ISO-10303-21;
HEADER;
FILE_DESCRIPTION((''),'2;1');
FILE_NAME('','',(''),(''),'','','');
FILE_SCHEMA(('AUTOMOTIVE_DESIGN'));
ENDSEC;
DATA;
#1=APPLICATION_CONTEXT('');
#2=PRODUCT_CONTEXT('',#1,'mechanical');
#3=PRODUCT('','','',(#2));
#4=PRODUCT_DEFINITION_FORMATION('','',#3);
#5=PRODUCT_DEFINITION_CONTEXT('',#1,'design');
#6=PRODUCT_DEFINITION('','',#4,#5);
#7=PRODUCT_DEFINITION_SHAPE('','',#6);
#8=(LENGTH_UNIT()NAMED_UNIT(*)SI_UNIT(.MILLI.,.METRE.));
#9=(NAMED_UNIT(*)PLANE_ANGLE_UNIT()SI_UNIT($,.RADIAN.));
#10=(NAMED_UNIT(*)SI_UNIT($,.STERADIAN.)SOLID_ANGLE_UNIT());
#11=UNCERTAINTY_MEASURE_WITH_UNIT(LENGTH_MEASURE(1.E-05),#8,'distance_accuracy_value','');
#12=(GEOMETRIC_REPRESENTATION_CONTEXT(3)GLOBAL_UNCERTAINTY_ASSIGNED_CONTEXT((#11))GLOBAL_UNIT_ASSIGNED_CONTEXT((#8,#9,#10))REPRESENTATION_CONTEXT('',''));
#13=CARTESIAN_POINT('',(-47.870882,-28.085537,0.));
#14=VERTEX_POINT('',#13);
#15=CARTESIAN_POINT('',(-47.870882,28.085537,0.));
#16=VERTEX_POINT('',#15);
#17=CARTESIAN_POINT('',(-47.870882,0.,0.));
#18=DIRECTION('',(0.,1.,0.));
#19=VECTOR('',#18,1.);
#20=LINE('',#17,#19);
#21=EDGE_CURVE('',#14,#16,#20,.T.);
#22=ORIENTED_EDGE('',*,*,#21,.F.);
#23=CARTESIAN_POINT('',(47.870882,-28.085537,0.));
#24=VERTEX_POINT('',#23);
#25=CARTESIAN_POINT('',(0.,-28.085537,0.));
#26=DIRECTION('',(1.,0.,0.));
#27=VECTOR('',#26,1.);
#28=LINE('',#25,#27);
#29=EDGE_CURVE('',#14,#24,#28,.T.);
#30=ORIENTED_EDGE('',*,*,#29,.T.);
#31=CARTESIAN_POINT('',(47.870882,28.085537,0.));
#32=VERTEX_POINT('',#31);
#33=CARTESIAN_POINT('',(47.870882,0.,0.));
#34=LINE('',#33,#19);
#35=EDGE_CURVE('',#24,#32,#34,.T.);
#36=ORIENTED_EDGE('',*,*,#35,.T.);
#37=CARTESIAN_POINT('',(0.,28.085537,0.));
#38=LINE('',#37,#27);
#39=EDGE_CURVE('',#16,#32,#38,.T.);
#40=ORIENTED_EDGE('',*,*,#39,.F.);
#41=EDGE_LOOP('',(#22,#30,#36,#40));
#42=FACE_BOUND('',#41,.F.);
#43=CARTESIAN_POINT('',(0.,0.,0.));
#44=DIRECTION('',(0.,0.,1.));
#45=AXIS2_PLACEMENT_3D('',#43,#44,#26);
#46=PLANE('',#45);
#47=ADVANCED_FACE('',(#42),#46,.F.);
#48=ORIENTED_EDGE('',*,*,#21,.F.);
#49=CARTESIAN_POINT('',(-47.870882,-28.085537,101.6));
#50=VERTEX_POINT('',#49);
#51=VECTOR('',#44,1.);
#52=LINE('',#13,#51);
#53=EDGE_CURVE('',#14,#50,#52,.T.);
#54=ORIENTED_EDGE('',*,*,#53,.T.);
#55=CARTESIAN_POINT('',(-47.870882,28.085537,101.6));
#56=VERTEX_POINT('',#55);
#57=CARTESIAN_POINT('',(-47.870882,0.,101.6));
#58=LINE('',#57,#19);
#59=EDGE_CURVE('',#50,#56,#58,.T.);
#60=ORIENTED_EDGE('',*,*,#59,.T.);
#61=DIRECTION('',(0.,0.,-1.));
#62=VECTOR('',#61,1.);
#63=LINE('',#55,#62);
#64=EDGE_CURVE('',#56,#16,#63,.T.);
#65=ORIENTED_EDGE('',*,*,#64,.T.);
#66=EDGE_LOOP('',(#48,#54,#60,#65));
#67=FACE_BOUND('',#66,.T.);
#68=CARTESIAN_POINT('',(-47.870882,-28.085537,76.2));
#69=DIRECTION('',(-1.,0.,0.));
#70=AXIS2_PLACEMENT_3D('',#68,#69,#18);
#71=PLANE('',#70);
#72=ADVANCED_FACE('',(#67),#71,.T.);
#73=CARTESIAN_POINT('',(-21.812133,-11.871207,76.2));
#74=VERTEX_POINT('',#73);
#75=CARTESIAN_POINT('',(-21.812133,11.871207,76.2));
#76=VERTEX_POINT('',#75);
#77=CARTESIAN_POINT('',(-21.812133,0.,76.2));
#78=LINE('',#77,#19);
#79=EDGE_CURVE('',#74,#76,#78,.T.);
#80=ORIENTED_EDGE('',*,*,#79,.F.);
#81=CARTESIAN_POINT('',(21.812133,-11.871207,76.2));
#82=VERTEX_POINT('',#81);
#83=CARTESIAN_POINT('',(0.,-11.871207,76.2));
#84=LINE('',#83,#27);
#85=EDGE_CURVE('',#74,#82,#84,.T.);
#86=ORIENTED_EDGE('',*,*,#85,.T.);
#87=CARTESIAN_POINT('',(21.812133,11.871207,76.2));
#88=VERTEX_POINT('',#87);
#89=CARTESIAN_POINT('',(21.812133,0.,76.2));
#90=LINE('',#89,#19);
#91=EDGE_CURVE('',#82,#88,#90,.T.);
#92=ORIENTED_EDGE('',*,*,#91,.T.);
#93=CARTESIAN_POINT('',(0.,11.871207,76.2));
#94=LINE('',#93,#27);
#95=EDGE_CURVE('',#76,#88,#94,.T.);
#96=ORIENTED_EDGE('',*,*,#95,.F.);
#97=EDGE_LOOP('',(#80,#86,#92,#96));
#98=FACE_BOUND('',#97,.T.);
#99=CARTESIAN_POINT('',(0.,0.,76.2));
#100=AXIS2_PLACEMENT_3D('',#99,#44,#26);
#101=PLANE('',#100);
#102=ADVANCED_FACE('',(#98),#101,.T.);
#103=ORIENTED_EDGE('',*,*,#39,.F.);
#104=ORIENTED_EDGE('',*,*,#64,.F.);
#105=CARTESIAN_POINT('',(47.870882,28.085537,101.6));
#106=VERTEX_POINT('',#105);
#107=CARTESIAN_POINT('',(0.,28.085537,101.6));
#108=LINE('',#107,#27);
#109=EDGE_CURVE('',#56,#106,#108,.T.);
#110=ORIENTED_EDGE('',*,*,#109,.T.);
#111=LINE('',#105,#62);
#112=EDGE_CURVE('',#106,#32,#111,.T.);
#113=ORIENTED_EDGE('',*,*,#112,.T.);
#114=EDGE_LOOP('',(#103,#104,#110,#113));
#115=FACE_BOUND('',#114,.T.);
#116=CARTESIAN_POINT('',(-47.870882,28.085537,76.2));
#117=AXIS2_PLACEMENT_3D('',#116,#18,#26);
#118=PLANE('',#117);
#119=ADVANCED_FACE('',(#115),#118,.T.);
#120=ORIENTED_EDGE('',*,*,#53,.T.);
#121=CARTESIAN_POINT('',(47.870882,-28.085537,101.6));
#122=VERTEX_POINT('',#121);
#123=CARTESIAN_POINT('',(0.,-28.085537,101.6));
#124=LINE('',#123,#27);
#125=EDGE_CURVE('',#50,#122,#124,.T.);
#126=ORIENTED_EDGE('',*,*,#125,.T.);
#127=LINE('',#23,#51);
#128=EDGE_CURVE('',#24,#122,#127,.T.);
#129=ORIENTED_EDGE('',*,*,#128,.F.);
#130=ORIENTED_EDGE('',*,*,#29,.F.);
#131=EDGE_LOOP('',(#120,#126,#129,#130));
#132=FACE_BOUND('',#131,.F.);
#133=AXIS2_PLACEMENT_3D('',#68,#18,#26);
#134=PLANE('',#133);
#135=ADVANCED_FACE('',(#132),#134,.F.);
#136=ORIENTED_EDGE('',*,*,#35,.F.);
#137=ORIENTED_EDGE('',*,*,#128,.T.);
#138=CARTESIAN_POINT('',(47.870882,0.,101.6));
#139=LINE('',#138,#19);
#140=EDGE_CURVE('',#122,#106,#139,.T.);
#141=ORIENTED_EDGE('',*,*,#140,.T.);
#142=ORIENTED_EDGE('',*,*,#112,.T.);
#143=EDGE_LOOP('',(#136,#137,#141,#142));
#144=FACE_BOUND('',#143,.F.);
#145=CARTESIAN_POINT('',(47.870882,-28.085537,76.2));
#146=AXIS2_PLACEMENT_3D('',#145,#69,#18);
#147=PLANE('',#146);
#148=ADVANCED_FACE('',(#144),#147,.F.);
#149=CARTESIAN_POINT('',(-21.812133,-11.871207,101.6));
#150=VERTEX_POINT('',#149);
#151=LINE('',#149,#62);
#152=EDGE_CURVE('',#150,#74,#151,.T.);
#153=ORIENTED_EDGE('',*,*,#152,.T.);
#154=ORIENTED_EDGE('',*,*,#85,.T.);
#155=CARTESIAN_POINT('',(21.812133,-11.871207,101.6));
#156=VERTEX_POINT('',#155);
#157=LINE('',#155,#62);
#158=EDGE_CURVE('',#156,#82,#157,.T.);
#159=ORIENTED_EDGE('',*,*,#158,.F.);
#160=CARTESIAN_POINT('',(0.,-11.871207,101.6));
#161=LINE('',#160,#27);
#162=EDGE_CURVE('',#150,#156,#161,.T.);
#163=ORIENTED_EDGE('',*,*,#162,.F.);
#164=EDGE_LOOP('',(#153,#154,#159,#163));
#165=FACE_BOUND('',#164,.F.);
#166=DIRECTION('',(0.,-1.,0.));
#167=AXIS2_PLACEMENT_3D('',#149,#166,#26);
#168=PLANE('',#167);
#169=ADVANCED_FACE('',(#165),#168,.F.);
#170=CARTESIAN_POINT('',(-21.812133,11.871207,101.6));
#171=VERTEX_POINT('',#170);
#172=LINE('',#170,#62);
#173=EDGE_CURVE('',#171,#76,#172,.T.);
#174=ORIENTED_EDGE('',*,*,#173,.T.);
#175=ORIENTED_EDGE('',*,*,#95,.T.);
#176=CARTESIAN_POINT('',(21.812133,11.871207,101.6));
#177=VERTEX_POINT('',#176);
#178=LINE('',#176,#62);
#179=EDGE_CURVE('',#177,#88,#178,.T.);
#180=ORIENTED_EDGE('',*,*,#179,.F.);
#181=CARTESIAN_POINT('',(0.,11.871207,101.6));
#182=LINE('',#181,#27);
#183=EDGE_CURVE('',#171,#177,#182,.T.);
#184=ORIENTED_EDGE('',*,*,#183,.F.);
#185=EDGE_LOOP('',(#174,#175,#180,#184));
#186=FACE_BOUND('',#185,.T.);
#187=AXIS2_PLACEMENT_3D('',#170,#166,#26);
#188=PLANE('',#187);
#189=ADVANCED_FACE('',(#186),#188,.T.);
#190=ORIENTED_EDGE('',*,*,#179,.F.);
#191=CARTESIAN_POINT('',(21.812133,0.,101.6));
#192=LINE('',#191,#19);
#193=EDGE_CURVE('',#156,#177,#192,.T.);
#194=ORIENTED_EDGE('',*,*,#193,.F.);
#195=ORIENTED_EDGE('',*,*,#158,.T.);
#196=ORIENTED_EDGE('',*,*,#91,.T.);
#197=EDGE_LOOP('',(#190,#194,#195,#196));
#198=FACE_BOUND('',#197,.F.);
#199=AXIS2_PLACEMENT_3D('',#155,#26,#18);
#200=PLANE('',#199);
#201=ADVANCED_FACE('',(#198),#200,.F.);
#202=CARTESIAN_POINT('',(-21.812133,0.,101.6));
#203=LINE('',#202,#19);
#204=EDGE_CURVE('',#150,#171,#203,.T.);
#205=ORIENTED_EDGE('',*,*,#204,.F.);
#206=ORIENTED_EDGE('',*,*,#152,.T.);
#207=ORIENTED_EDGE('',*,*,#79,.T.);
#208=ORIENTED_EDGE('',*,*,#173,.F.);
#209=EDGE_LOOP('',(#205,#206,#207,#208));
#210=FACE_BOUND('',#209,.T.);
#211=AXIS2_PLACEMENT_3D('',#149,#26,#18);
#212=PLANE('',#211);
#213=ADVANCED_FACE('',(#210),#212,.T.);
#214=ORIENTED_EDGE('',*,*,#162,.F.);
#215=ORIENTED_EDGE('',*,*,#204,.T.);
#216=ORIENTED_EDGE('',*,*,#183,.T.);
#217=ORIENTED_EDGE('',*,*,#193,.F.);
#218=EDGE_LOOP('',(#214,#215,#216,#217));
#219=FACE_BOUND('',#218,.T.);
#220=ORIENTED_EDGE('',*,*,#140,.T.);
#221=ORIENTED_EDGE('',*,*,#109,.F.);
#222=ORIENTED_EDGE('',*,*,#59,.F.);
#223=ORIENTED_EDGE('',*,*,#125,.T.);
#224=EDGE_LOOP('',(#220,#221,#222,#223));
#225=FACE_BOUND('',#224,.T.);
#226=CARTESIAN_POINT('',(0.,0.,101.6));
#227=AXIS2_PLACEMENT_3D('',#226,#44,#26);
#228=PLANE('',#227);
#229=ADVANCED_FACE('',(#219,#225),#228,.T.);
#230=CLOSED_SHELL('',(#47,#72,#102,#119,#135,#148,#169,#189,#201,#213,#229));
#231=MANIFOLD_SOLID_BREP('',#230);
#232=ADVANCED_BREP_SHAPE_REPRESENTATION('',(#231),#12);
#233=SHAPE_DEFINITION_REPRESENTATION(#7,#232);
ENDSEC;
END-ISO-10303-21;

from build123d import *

# Parameters (mm, degrees)
F0_W      = 95.741764
F0_H      = 56.171074
F1_DEPTH  = 76.2
F1_FACE_W = 95.741764
F1_FACE_H = 56.171074
F2_DEPTH  = 25.4
F3_W      = 43.624266
F3_H      = 23.742414
F4_DEPTH  = 25.4


with BuildPart() as f1:
    # F0 (on Top) → F1 (new body)
    with BuildSketch(Plane.XY):
        Rectangle(F0_W, F0_H)
    extrude(amount=F1_DEPTH)

    # F1_face (on face) → F2 (join)
    with BuildSketch(Plane.XY.offset(76.2)):
        Rectangle(F1_FACE_W, F1_FACE_H)
    extrude(amount=F2_DEPTH)

    # F3 (on face) → F4 (cut)
    with BuildSketch(Plane.XY.offset(101.6)):
        Rectangle(F3_W, F3_H)
    extrude(amount=-F4_DEPTH, mode=Mode.SUBTRACT)


solid = f1.part
